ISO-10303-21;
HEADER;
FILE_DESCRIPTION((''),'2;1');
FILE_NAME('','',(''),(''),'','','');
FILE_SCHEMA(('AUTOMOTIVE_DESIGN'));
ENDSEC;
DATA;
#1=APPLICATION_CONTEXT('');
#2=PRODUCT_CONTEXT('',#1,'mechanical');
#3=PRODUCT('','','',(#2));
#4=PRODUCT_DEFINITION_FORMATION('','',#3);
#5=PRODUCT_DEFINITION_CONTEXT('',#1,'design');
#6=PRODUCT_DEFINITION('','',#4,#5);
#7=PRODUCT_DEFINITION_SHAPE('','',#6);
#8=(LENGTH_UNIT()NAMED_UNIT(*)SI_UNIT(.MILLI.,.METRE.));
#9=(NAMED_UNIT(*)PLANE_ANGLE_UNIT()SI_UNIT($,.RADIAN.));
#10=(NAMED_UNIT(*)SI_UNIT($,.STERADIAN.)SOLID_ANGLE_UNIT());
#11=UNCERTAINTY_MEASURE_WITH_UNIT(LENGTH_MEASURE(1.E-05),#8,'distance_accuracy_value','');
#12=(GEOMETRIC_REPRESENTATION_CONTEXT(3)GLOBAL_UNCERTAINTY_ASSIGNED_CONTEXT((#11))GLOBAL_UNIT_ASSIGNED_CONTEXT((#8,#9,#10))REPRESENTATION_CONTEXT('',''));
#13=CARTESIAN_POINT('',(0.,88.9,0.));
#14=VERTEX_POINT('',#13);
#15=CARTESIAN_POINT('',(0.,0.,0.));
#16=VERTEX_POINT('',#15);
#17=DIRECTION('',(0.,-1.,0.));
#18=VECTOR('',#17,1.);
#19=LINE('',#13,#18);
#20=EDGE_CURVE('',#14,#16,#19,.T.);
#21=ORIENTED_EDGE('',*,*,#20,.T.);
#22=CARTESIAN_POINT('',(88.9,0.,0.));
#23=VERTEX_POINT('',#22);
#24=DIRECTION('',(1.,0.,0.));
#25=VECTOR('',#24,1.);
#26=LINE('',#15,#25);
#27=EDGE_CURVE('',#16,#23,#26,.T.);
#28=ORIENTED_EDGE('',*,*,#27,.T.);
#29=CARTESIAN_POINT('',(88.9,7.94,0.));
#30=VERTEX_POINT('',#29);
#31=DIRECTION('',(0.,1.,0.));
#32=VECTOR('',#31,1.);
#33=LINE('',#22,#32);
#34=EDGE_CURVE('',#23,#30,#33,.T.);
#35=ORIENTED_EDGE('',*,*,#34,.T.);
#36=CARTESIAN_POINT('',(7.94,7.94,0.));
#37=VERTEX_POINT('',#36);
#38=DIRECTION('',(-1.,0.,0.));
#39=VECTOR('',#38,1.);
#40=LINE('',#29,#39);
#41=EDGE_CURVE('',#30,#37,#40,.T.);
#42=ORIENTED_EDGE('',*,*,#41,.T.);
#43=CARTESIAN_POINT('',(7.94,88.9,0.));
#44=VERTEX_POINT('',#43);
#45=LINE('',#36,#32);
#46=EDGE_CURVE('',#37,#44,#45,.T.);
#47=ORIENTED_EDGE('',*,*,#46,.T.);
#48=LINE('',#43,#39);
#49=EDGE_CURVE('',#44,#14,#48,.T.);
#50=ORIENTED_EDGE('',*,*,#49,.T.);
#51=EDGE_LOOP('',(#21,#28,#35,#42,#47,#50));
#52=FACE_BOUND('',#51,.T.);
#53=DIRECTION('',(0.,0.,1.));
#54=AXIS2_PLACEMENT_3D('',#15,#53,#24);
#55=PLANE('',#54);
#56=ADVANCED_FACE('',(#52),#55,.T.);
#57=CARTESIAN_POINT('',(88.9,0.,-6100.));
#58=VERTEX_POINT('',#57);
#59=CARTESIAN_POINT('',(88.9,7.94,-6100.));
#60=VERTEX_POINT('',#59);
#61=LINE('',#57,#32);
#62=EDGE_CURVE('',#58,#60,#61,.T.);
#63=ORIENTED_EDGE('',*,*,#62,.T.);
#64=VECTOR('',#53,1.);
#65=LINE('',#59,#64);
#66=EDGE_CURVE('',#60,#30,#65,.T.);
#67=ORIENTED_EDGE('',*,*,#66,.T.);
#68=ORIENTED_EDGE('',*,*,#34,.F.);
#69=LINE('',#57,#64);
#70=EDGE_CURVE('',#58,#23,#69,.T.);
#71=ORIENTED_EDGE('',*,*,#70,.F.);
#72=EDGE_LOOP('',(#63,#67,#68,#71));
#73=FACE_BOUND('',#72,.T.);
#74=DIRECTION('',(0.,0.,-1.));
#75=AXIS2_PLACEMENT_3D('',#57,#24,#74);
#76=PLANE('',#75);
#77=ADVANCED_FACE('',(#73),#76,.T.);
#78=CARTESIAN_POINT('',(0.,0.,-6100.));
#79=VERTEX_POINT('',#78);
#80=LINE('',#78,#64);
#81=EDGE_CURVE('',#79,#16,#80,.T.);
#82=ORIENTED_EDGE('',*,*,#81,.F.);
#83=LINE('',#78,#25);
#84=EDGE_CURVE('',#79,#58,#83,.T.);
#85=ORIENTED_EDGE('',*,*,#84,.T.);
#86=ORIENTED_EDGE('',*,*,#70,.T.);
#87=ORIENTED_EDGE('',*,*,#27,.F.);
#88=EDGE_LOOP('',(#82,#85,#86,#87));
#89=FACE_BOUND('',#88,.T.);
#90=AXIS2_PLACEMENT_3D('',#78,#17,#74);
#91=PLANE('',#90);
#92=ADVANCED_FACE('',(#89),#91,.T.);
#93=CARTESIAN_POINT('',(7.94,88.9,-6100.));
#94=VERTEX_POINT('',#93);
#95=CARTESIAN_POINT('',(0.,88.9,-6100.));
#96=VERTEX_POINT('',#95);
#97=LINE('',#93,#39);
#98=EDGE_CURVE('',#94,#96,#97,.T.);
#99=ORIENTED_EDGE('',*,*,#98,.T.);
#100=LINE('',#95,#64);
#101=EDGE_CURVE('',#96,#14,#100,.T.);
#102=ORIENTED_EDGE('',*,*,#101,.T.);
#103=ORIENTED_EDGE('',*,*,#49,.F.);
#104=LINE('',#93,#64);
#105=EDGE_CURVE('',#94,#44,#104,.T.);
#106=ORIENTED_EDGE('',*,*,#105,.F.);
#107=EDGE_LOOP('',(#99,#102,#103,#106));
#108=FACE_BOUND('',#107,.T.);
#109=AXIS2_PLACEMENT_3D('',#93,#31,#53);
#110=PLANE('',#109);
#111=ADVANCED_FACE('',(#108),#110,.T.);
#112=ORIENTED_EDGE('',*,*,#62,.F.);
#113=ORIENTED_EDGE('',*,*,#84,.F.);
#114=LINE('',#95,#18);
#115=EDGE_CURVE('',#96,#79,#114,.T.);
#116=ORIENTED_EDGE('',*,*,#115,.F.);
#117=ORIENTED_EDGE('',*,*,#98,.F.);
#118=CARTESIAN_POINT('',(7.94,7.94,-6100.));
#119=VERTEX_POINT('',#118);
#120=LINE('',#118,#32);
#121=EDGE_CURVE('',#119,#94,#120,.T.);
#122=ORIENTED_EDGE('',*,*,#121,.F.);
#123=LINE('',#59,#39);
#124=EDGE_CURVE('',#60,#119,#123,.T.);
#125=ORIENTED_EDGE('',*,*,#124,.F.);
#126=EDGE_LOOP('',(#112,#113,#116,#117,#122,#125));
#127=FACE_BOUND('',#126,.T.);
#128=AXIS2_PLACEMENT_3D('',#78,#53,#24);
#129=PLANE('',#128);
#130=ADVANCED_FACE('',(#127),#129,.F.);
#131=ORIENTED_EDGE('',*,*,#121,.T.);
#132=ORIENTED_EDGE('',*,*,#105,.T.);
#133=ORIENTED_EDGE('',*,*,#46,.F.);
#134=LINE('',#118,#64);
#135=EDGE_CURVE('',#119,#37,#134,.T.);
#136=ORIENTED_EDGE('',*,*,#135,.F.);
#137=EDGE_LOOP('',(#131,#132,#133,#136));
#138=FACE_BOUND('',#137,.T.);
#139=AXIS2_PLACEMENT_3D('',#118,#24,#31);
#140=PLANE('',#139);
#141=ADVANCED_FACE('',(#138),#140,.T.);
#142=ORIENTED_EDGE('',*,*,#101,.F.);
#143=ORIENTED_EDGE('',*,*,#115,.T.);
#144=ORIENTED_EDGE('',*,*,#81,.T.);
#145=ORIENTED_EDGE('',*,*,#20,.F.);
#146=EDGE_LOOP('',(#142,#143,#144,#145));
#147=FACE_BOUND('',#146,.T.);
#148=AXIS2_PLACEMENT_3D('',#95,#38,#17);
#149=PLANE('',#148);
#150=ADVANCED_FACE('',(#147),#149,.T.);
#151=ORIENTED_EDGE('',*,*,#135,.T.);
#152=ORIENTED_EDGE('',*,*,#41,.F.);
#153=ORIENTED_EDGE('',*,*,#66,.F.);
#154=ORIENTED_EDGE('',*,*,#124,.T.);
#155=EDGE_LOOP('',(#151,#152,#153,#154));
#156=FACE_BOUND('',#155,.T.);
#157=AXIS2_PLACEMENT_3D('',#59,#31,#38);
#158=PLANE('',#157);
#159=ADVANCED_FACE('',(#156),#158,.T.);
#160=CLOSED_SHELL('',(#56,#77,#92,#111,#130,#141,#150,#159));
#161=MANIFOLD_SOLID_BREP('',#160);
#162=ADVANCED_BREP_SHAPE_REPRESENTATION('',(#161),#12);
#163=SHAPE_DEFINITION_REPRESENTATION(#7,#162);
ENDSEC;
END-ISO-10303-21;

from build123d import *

# Parameters (mm, degrees)
SALIENTE_EXTRUIR1_DEPTH = 6100


with BuildPart() as part:
    # Croquis1 → Saliente-Extruir1 (new body)
    with BuildSketch(Plane.XY):
        Polygon((0, 88.9), (0, 0), (88.9, 0), (88.9, 7.94), (7.94, 7.94), (7.94, 88.9), align=None)
    extrude(amount=-SALIENTE_EXTRUIR1_DEPTH)


solid = part.part
